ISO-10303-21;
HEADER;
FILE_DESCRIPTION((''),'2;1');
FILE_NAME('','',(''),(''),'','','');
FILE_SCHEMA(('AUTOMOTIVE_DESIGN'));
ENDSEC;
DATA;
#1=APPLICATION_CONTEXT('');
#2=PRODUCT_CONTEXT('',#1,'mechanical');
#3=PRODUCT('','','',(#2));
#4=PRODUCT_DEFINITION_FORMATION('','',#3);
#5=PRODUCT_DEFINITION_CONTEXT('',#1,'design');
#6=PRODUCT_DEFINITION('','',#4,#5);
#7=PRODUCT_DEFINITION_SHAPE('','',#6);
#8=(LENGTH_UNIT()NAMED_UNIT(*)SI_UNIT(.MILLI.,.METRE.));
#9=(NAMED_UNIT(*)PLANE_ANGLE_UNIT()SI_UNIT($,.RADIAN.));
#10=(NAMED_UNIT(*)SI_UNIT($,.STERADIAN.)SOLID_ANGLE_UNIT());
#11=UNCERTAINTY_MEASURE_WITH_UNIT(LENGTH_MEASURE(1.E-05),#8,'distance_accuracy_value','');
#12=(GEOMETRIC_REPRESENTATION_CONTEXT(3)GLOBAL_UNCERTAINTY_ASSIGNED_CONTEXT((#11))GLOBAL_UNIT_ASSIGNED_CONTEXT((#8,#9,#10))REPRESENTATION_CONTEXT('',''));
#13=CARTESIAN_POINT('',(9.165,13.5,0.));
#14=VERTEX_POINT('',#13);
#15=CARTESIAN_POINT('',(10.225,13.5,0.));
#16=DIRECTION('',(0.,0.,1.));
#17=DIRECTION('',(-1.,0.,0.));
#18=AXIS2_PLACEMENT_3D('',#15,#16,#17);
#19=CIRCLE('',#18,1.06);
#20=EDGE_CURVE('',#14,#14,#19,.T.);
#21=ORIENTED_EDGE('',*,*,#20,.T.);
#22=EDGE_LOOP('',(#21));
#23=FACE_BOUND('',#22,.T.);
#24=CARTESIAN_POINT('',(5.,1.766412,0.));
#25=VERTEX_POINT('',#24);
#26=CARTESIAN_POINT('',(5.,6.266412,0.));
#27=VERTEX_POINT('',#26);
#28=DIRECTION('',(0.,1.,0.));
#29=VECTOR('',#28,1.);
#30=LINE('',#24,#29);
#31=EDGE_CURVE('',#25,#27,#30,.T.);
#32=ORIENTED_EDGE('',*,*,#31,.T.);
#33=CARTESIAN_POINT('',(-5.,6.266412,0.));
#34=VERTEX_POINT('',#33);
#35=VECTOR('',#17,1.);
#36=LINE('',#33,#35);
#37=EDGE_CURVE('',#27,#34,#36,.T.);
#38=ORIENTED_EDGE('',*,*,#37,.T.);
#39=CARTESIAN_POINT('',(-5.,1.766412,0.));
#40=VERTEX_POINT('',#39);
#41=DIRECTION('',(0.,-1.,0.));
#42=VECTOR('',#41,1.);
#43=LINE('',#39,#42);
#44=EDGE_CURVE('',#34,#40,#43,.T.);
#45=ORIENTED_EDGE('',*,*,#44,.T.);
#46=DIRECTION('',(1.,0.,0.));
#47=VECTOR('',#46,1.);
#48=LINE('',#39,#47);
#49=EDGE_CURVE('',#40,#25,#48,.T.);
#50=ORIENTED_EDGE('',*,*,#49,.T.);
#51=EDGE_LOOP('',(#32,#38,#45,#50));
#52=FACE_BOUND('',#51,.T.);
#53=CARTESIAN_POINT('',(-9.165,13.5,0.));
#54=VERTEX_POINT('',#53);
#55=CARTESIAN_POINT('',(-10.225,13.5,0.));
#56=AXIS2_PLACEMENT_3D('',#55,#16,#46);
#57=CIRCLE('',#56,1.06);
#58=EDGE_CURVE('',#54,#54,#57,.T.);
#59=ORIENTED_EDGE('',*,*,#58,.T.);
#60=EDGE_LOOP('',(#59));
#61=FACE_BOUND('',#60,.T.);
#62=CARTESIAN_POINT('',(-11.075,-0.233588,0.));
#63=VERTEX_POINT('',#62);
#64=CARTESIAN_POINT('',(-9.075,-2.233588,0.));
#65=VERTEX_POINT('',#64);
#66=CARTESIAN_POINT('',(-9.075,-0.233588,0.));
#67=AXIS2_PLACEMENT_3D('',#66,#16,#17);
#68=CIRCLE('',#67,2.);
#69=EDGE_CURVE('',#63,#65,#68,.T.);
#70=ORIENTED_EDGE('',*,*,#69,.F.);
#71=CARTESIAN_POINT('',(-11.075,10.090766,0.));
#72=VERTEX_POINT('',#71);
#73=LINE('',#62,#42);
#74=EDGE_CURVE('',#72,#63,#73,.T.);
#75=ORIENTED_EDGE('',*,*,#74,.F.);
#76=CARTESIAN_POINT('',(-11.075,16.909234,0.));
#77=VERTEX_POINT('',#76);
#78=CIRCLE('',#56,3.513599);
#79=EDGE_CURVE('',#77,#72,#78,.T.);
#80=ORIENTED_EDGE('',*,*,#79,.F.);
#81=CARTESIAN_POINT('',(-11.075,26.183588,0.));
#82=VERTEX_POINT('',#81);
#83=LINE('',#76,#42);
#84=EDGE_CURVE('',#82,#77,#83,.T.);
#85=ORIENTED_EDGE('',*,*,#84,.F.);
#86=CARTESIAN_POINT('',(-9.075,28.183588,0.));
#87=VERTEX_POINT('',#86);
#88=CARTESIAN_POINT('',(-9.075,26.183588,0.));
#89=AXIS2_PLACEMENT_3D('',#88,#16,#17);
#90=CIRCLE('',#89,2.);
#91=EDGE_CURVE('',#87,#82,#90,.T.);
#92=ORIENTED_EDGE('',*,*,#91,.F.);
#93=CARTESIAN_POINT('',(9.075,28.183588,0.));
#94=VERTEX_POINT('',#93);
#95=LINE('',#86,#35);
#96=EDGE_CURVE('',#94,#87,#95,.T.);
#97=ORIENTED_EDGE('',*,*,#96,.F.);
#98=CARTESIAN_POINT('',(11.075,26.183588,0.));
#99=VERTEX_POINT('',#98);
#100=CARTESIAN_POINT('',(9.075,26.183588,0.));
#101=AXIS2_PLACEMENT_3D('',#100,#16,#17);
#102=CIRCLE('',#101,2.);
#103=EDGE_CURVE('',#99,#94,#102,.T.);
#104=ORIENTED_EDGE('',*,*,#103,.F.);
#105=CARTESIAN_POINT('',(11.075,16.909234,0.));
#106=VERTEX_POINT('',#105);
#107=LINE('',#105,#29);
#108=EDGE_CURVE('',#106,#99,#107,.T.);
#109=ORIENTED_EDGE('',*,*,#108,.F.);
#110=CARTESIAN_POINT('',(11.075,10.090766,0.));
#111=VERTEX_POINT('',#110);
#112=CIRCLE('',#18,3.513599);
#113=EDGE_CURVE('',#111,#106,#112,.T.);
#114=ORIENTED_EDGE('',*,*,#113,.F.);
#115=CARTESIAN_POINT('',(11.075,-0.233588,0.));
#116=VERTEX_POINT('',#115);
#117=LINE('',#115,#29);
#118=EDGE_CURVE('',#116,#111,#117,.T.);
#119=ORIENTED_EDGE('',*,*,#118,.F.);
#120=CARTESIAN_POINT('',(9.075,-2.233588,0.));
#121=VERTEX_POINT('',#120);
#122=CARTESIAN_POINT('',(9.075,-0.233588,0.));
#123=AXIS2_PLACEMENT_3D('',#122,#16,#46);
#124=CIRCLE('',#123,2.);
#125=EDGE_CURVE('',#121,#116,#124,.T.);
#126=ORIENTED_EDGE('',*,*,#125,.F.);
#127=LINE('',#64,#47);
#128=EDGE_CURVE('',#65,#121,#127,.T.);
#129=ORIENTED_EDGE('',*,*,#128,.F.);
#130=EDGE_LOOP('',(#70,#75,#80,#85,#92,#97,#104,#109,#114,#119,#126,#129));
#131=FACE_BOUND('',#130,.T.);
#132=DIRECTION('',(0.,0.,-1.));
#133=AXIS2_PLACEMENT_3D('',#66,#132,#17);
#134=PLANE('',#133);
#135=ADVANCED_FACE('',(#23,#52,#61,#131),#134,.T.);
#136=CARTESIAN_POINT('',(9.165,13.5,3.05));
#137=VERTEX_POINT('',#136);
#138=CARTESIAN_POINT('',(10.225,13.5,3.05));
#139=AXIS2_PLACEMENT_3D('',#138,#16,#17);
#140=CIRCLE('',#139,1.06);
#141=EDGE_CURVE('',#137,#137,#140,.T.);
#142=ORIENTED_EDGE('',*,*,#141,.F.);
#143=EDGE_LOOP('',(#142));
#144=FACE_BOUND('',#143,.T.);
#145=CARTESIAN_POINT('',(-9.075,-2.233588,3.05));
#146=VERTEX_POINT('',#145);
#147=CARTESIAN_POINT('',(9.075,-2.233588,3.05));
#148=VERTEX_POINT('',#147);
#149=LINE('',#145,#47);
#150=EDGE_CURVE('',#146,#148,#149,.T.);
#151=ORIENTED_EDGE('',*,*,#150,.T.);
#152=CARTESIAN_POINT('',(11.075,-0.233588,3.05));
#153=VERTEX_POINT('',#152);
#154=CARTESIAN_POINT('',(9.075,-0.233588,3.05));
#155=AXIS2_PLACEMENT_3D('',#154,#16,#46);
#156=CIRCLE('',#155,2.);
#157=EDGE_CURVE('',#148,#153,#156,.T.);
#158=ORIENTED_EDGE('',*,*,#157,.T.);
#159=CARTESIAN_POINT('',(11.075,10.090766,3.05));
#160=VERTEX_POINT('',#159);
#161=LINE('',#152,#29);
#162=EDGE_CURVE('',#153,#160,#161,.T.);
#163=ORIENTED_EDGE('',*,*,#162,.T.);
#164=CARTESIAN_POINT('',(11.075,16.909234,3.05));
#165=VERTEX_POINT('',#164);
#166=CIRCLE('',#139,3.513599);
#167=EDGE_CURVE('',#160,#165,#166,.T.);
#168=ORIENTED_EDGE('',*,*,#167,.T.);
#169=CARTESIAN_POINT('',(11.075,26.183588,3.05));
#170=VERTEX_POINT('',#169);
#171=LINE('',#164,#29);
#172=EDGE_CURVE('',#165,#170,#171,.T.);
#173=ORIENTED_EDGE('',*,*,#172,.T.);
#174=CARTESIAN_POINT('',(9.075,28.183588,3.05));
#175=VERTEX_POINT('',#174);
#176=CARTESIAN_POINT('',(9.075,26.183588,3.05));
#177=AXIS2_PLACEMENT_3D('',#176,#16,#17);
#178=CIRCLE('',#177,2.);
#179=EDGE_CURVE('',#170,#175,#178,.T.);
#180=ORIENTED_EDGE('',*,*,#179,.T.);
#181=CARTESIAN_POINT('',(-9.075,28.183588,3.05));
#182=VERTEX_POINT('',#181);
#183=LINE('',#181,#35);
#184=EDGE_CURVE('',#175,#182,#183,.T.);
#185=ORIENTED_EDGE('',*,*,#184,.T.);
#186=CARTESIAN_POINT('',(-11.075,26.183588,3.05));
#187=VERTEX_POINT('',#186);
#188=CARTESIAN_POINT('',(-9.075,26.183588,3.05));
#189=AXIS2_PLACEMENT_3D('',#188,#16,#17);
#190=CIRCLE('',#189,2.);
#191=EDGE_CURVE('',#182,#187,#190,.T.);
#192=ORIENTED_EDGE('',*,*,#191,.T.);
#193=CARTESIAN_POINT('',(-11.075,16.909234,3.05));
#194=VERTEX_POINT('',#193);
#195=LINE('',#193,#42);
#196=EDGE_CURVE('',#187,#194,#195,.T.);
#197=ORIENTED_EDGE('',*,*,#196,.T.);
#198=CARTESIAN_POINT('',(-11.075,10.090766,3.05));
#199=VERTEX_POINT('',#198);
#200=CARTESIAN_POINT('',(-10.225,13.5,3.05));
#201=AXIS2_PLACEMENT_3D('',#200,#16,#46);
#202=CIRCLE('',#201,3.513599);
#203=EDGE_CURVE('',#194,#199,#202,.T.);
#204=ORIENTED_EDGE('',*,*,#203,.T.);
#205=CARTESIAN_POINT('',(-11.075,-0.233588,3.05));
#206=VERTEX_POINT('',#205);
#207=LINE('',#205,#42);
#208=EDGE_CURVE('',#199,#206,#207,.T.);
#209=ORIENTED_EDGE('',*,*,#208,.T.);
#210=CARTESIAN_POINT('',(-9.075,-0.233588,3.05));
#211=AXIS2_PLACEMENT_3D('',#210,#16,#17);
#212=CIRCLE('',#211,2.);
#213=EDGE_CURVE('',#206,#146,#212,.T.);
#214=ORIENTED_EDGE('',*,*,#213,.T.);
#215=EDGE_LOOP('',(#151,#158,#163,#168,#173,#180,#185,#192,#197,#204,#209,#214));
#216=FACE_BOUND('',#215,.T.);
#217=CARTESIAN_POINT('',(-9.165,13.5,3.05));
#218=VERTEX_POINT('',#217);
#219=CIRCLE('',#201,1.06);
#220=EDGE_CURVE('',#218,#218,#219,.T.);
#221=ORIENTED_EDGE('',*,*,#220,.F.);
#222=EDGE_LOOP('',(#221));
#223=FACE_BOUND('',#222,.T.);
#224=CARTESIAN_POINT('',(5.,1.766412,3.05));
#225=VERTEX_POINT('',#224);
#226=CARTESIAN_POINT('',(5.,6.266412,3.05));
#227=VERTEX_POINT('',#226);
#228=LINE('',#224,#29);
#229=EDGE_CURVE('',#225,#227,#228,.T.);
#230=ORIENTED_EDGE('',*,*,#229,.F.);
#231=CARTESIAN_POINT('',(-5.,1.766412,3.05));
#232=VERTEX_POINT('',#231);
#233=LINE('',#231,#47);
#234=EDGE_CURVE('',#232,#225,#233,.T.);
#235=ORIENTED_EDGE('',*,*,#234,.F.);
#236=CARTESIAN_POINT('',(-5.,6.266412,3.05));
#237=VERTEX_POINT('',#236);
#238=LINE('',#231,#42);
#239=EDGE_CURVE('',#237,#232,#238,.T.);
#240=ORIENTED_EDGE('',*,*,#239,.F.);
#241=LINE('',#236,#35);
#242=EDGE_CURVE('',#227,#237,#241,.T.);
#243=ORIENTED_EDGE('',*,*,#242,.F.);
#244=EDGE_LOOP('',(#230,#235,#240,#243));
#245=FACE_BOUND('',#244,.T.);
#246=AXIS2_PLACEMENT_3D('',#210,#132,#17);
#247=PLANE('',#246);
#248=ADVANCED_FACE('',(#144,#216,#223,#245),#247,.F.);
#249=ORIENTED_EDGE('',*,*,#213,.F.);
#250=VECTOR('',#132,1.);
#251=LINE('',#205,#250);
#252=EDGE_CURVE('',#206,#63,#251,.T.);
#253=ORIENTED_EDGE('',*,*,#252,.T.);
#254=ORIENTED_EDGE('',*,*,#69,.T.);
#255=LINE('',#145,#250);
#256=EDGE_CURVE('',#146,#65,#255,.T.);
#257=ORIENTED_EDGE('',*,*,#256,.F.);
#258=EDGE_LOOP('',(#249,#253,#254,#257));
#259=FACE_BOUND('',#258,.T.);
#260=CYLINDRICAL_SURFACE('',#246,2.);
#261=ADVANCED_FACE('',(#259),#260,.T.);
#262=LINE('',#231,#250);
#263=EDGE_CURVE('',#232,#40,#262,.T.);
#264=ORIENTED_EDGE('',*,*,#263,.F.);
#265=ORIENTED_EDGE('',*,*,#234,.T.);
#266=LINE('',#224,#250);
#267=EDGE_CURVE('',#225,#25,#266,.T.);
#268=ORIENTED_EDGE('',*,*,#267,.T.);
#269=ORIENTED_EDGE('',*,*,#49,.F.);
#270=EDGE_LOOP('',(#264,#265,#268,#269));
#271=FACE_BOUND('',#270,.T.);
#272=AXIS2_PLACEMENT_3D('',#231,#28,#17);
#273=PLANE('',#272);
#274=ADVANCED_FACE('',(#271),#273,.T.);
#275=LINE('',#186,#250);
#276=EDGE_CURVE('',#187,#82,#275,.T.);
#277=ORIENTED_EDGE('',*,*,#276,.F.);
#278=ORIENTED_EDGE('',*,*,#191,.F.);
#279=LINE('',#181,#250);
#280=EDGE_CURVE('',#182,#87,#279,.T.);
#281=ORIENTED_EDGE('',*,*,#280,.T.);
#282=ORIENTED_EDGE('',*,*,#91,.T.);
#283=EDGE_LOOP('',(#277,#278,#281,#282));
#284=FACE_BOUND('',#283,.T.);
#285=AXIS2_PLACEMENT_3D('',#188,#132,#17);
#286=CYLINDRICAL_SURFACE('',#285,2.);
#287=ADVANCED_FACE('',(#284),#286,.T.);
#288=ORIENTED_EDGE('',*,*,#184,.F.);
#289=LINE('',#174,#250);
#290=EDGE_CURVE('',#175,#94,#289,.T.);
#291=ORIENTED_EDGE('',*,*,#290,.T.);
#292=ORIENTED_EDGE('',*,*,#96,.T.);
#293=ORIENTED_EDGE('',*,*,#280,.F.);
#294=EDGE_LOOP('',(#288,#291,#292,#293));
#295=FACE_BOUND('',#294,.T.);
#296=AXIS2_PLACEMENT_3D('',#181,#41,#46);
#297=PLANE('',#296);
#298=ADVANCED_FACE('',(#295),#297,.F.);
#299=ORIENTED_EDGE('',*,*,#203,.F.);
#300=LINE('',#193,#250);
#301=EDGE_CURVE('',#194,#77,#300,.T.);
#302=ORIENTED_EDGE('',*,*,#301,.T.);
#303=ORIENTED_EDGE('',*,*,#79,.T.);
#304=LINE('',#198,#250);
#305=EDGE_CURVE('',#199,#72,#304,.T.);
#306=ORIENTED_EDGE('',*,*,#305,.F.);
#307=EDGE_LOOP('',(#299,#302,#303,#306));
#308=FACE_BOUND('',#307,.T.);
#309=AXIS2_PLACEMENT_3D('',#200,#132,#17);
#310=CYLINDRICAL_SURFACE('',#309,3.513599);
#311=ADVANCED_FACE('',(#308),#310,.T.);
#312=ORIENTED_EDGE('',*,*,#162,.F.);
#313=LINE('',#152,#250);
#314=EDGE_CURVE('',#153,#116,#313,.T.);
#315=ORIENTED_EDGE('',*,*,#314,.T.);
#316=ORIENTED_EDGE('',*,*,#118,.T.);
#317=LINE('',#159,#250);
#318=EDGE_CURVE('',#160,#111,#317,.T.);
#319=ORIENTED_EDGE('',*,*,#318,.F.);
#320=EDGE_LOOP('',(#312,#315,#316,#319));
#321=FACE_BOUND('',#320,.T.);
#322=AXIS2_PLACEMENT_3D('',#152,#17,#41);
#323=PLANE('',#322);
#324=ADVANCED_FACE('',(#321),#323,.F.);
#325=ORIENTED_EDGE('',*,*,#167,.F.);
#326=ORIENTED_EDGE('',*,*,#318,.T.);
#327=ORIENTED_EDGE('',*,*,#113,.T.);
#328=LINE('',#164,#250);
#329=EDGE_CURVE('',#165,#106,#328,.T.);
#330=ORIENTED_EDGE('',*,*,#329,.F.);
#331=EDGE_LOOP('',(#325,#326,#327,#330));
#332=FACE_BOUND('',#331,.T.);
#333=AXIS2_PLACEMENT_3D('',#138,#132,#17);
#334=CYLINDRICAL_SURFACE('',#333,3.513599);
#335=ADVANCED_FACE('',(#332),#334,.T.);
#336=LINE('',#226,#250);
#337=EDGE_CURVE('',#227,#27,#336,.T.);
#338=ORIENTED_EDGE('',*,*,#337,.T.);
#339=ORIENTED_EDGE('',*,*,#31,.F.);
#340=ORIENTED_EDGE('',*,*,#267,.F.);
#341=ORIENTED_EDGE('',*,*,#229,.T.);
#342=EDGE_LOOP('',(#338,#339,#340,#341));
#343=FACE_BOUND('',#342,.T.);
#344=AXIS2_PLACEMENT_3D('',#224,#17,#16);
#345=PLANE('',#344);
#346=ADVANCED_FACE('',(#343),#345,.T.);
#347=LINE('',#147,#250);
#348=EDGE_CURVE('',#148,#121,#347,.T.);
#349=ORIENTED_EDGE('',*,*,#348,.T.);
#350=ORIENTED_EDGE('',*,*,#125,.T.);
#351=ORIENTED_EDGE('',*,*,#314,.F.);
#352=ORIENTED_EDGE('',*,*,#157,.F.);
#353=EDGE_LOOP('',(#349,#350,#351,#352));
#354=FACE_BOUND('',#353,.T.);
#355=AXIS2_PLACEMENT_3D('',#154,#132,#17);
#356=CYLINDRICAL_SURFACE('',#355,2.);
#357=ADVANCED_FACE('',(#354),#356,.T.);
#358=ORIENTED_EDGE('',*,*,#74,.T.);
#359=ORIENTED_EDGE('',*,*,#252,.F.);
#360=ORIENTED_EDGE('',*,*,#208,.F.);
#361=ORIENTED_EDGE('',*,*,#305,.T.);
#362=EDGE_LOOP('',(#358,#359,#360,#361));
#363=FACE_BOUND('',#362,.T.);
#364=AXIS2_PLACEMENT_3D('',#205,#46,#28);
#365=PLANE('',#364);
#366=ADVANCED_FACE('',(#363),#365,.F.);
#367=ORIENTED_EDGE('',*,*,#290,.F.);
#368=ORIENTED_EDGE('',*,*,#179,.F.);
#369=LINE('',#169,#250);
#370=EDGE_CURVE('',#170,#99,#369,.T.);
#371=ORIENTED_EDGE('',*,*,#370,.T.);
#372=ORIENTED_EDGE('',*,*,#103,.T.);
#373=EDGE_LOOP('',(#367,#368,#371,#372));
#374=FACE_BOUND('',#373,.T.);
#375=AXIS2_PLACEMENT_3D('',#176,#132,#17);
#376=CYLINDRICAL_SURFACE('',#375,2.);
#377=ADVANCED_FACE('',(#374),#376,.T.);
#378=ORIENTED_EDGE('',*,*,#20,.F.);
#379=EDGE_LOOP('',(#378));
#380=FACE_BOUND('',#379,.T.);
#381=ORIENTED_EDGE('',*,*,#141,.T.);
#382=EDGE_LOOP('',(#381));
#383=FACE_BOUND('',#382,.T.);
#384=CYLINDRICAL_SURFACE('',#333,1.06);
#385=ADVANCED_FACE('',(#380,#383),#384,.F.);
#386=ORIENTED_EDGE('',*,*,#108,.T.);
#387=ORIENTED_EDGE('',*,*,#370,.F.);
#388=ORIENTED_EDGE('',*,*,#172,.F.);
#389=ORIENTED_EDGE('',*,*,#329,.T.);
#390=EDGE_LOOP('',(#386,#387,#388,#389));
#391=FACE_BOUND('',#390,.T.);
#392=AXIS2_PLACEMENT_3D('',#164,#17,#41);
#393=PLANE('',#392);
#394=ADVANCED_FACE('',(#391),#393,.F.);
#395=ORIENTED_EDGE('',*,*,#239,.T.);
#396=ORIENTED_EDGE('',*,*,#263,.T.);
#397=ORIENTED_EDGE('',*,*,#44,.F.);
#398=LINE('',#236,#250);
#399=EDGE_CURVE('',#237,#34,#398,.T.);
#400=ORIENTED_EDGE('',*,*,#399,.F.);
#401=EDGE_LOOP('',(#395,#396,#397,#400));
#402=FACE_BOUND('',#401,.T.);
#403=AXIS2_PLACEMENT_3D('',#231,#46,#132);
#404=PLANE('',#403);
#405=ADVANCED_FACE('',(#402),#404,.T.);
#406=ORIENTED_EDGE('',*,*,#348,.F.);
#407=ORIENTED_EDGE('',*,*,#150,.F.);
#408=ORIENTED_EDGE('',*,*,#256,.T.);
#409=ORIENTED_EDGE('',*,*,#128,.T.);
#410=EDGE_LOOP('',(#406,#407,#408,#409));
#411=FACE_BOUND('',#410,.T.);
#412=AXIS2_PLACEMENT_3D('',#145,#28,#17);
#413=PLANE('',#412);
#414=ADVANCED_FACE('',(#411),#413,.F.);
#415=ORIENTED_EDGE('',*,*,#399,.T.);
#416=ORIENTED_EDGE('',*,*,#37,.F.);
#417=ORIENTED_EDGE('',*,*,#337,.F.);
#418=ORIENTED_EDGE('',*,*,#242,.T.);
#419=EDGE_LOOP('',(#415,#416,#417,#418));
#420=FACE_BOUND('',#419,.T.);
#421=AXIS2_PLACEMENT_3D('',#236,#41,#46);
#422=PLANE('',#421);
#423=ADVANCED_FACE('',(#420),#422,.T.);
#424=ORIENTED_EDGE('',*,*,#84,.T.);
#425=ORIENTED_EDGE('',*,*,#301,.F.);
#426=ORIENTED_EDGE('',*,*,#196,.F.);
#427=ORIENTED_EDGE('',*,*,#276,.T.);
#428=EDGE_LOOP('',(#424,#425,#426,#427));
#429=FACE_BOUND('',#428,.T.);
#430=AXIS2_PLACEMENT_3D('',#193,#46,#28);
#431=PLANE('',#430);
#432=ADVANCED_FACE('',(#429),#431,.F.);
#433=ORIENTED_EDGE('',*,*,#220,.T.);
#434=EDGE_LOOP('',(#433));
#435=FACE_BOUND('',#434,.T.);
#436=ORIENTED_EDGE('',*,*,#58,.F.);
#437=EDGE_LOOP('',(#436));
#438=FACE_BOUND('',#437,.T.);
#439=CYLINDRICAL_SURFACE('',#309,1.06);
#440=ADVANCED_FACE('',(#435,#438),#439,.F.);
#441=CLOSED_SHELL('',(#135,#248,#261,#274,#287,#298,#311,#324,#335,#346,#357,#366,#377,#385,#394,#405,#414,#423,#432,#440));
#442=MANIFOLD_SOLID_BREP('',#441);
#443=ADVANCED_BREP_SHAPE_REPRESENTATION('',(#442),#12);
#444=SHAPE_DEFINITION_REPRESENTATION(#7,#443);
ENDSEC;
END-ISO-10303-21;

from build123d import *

# Parameters (mm, degrees)
SKETCH2_R           = 1.06
SKETCH2_W           = 10
SKETCH2_H           = 4.5
BOSS_EXTRUDE2_DEPTH = 3.05


with BuildPart() as part:
    # Sketch2 → Boss-Extrude2 (new body)
    with BuildSketch(Plane.XY):
        with BuildLine():
            Line((-11.075, 16.909233785), (-11.075, 26.183587826))
            ThreePointArc((-11.075, 26.183587826), (-10.489213562, 27.597801388), (-9.075, 28.183587826))
            Line((-9.075, 28.183587826), (9.075, 28.183587826))
            ThreePointArc((9.075, 28.183587826), (10.489213562, 27.597801388), (11.075, 26.183587826))
            Line((11.075, 26.183587826), (11.075, 16.909233785))
            ThreePointArc((11.075, 16.909233785), (13.738598583, 13.5), (11.075, 10.090766215))
            Line((11.075, 10.090766215), (11.075, -0.233587826))
            ThreePointArc((11.075, -0.233587826), (10.489213562, -1.647801388), (9.075, -2.233587826))
            Line((9.075, -2.233587826), (-9.075, -2.233587826))
            ThreePointArc((-9.075, -2.233587826), (-10.489213562, -1.647801388), (-11.075, -0.233587826))
            Line((-11.075, -0.233587826), (-11.075, 10.090766215))
            ThreePointArc((-11.075, 10.090766215), (-13.738598583, 13.5), (-11.075, 16.909233785))
        make_face()
        with Locations((-10.225, 13.5)):
            Circle(SKETCH2_R, mode=Mode.SUBTRACT)
        with Locations(Location((10.225, 13.5, 0), (0, 0, 180))):
            Circle(SKETCH2_R, mode=Mode.SUBTRACT)
        with Locations((0, 4.016412174)):
            Rectangle(SKETCH2_W, SKETCH2_H, mode=Mode.SUBTRACT)
    extrude(amount=BOSS_EXTRUDE2_DEPTH)


solid = part.part
